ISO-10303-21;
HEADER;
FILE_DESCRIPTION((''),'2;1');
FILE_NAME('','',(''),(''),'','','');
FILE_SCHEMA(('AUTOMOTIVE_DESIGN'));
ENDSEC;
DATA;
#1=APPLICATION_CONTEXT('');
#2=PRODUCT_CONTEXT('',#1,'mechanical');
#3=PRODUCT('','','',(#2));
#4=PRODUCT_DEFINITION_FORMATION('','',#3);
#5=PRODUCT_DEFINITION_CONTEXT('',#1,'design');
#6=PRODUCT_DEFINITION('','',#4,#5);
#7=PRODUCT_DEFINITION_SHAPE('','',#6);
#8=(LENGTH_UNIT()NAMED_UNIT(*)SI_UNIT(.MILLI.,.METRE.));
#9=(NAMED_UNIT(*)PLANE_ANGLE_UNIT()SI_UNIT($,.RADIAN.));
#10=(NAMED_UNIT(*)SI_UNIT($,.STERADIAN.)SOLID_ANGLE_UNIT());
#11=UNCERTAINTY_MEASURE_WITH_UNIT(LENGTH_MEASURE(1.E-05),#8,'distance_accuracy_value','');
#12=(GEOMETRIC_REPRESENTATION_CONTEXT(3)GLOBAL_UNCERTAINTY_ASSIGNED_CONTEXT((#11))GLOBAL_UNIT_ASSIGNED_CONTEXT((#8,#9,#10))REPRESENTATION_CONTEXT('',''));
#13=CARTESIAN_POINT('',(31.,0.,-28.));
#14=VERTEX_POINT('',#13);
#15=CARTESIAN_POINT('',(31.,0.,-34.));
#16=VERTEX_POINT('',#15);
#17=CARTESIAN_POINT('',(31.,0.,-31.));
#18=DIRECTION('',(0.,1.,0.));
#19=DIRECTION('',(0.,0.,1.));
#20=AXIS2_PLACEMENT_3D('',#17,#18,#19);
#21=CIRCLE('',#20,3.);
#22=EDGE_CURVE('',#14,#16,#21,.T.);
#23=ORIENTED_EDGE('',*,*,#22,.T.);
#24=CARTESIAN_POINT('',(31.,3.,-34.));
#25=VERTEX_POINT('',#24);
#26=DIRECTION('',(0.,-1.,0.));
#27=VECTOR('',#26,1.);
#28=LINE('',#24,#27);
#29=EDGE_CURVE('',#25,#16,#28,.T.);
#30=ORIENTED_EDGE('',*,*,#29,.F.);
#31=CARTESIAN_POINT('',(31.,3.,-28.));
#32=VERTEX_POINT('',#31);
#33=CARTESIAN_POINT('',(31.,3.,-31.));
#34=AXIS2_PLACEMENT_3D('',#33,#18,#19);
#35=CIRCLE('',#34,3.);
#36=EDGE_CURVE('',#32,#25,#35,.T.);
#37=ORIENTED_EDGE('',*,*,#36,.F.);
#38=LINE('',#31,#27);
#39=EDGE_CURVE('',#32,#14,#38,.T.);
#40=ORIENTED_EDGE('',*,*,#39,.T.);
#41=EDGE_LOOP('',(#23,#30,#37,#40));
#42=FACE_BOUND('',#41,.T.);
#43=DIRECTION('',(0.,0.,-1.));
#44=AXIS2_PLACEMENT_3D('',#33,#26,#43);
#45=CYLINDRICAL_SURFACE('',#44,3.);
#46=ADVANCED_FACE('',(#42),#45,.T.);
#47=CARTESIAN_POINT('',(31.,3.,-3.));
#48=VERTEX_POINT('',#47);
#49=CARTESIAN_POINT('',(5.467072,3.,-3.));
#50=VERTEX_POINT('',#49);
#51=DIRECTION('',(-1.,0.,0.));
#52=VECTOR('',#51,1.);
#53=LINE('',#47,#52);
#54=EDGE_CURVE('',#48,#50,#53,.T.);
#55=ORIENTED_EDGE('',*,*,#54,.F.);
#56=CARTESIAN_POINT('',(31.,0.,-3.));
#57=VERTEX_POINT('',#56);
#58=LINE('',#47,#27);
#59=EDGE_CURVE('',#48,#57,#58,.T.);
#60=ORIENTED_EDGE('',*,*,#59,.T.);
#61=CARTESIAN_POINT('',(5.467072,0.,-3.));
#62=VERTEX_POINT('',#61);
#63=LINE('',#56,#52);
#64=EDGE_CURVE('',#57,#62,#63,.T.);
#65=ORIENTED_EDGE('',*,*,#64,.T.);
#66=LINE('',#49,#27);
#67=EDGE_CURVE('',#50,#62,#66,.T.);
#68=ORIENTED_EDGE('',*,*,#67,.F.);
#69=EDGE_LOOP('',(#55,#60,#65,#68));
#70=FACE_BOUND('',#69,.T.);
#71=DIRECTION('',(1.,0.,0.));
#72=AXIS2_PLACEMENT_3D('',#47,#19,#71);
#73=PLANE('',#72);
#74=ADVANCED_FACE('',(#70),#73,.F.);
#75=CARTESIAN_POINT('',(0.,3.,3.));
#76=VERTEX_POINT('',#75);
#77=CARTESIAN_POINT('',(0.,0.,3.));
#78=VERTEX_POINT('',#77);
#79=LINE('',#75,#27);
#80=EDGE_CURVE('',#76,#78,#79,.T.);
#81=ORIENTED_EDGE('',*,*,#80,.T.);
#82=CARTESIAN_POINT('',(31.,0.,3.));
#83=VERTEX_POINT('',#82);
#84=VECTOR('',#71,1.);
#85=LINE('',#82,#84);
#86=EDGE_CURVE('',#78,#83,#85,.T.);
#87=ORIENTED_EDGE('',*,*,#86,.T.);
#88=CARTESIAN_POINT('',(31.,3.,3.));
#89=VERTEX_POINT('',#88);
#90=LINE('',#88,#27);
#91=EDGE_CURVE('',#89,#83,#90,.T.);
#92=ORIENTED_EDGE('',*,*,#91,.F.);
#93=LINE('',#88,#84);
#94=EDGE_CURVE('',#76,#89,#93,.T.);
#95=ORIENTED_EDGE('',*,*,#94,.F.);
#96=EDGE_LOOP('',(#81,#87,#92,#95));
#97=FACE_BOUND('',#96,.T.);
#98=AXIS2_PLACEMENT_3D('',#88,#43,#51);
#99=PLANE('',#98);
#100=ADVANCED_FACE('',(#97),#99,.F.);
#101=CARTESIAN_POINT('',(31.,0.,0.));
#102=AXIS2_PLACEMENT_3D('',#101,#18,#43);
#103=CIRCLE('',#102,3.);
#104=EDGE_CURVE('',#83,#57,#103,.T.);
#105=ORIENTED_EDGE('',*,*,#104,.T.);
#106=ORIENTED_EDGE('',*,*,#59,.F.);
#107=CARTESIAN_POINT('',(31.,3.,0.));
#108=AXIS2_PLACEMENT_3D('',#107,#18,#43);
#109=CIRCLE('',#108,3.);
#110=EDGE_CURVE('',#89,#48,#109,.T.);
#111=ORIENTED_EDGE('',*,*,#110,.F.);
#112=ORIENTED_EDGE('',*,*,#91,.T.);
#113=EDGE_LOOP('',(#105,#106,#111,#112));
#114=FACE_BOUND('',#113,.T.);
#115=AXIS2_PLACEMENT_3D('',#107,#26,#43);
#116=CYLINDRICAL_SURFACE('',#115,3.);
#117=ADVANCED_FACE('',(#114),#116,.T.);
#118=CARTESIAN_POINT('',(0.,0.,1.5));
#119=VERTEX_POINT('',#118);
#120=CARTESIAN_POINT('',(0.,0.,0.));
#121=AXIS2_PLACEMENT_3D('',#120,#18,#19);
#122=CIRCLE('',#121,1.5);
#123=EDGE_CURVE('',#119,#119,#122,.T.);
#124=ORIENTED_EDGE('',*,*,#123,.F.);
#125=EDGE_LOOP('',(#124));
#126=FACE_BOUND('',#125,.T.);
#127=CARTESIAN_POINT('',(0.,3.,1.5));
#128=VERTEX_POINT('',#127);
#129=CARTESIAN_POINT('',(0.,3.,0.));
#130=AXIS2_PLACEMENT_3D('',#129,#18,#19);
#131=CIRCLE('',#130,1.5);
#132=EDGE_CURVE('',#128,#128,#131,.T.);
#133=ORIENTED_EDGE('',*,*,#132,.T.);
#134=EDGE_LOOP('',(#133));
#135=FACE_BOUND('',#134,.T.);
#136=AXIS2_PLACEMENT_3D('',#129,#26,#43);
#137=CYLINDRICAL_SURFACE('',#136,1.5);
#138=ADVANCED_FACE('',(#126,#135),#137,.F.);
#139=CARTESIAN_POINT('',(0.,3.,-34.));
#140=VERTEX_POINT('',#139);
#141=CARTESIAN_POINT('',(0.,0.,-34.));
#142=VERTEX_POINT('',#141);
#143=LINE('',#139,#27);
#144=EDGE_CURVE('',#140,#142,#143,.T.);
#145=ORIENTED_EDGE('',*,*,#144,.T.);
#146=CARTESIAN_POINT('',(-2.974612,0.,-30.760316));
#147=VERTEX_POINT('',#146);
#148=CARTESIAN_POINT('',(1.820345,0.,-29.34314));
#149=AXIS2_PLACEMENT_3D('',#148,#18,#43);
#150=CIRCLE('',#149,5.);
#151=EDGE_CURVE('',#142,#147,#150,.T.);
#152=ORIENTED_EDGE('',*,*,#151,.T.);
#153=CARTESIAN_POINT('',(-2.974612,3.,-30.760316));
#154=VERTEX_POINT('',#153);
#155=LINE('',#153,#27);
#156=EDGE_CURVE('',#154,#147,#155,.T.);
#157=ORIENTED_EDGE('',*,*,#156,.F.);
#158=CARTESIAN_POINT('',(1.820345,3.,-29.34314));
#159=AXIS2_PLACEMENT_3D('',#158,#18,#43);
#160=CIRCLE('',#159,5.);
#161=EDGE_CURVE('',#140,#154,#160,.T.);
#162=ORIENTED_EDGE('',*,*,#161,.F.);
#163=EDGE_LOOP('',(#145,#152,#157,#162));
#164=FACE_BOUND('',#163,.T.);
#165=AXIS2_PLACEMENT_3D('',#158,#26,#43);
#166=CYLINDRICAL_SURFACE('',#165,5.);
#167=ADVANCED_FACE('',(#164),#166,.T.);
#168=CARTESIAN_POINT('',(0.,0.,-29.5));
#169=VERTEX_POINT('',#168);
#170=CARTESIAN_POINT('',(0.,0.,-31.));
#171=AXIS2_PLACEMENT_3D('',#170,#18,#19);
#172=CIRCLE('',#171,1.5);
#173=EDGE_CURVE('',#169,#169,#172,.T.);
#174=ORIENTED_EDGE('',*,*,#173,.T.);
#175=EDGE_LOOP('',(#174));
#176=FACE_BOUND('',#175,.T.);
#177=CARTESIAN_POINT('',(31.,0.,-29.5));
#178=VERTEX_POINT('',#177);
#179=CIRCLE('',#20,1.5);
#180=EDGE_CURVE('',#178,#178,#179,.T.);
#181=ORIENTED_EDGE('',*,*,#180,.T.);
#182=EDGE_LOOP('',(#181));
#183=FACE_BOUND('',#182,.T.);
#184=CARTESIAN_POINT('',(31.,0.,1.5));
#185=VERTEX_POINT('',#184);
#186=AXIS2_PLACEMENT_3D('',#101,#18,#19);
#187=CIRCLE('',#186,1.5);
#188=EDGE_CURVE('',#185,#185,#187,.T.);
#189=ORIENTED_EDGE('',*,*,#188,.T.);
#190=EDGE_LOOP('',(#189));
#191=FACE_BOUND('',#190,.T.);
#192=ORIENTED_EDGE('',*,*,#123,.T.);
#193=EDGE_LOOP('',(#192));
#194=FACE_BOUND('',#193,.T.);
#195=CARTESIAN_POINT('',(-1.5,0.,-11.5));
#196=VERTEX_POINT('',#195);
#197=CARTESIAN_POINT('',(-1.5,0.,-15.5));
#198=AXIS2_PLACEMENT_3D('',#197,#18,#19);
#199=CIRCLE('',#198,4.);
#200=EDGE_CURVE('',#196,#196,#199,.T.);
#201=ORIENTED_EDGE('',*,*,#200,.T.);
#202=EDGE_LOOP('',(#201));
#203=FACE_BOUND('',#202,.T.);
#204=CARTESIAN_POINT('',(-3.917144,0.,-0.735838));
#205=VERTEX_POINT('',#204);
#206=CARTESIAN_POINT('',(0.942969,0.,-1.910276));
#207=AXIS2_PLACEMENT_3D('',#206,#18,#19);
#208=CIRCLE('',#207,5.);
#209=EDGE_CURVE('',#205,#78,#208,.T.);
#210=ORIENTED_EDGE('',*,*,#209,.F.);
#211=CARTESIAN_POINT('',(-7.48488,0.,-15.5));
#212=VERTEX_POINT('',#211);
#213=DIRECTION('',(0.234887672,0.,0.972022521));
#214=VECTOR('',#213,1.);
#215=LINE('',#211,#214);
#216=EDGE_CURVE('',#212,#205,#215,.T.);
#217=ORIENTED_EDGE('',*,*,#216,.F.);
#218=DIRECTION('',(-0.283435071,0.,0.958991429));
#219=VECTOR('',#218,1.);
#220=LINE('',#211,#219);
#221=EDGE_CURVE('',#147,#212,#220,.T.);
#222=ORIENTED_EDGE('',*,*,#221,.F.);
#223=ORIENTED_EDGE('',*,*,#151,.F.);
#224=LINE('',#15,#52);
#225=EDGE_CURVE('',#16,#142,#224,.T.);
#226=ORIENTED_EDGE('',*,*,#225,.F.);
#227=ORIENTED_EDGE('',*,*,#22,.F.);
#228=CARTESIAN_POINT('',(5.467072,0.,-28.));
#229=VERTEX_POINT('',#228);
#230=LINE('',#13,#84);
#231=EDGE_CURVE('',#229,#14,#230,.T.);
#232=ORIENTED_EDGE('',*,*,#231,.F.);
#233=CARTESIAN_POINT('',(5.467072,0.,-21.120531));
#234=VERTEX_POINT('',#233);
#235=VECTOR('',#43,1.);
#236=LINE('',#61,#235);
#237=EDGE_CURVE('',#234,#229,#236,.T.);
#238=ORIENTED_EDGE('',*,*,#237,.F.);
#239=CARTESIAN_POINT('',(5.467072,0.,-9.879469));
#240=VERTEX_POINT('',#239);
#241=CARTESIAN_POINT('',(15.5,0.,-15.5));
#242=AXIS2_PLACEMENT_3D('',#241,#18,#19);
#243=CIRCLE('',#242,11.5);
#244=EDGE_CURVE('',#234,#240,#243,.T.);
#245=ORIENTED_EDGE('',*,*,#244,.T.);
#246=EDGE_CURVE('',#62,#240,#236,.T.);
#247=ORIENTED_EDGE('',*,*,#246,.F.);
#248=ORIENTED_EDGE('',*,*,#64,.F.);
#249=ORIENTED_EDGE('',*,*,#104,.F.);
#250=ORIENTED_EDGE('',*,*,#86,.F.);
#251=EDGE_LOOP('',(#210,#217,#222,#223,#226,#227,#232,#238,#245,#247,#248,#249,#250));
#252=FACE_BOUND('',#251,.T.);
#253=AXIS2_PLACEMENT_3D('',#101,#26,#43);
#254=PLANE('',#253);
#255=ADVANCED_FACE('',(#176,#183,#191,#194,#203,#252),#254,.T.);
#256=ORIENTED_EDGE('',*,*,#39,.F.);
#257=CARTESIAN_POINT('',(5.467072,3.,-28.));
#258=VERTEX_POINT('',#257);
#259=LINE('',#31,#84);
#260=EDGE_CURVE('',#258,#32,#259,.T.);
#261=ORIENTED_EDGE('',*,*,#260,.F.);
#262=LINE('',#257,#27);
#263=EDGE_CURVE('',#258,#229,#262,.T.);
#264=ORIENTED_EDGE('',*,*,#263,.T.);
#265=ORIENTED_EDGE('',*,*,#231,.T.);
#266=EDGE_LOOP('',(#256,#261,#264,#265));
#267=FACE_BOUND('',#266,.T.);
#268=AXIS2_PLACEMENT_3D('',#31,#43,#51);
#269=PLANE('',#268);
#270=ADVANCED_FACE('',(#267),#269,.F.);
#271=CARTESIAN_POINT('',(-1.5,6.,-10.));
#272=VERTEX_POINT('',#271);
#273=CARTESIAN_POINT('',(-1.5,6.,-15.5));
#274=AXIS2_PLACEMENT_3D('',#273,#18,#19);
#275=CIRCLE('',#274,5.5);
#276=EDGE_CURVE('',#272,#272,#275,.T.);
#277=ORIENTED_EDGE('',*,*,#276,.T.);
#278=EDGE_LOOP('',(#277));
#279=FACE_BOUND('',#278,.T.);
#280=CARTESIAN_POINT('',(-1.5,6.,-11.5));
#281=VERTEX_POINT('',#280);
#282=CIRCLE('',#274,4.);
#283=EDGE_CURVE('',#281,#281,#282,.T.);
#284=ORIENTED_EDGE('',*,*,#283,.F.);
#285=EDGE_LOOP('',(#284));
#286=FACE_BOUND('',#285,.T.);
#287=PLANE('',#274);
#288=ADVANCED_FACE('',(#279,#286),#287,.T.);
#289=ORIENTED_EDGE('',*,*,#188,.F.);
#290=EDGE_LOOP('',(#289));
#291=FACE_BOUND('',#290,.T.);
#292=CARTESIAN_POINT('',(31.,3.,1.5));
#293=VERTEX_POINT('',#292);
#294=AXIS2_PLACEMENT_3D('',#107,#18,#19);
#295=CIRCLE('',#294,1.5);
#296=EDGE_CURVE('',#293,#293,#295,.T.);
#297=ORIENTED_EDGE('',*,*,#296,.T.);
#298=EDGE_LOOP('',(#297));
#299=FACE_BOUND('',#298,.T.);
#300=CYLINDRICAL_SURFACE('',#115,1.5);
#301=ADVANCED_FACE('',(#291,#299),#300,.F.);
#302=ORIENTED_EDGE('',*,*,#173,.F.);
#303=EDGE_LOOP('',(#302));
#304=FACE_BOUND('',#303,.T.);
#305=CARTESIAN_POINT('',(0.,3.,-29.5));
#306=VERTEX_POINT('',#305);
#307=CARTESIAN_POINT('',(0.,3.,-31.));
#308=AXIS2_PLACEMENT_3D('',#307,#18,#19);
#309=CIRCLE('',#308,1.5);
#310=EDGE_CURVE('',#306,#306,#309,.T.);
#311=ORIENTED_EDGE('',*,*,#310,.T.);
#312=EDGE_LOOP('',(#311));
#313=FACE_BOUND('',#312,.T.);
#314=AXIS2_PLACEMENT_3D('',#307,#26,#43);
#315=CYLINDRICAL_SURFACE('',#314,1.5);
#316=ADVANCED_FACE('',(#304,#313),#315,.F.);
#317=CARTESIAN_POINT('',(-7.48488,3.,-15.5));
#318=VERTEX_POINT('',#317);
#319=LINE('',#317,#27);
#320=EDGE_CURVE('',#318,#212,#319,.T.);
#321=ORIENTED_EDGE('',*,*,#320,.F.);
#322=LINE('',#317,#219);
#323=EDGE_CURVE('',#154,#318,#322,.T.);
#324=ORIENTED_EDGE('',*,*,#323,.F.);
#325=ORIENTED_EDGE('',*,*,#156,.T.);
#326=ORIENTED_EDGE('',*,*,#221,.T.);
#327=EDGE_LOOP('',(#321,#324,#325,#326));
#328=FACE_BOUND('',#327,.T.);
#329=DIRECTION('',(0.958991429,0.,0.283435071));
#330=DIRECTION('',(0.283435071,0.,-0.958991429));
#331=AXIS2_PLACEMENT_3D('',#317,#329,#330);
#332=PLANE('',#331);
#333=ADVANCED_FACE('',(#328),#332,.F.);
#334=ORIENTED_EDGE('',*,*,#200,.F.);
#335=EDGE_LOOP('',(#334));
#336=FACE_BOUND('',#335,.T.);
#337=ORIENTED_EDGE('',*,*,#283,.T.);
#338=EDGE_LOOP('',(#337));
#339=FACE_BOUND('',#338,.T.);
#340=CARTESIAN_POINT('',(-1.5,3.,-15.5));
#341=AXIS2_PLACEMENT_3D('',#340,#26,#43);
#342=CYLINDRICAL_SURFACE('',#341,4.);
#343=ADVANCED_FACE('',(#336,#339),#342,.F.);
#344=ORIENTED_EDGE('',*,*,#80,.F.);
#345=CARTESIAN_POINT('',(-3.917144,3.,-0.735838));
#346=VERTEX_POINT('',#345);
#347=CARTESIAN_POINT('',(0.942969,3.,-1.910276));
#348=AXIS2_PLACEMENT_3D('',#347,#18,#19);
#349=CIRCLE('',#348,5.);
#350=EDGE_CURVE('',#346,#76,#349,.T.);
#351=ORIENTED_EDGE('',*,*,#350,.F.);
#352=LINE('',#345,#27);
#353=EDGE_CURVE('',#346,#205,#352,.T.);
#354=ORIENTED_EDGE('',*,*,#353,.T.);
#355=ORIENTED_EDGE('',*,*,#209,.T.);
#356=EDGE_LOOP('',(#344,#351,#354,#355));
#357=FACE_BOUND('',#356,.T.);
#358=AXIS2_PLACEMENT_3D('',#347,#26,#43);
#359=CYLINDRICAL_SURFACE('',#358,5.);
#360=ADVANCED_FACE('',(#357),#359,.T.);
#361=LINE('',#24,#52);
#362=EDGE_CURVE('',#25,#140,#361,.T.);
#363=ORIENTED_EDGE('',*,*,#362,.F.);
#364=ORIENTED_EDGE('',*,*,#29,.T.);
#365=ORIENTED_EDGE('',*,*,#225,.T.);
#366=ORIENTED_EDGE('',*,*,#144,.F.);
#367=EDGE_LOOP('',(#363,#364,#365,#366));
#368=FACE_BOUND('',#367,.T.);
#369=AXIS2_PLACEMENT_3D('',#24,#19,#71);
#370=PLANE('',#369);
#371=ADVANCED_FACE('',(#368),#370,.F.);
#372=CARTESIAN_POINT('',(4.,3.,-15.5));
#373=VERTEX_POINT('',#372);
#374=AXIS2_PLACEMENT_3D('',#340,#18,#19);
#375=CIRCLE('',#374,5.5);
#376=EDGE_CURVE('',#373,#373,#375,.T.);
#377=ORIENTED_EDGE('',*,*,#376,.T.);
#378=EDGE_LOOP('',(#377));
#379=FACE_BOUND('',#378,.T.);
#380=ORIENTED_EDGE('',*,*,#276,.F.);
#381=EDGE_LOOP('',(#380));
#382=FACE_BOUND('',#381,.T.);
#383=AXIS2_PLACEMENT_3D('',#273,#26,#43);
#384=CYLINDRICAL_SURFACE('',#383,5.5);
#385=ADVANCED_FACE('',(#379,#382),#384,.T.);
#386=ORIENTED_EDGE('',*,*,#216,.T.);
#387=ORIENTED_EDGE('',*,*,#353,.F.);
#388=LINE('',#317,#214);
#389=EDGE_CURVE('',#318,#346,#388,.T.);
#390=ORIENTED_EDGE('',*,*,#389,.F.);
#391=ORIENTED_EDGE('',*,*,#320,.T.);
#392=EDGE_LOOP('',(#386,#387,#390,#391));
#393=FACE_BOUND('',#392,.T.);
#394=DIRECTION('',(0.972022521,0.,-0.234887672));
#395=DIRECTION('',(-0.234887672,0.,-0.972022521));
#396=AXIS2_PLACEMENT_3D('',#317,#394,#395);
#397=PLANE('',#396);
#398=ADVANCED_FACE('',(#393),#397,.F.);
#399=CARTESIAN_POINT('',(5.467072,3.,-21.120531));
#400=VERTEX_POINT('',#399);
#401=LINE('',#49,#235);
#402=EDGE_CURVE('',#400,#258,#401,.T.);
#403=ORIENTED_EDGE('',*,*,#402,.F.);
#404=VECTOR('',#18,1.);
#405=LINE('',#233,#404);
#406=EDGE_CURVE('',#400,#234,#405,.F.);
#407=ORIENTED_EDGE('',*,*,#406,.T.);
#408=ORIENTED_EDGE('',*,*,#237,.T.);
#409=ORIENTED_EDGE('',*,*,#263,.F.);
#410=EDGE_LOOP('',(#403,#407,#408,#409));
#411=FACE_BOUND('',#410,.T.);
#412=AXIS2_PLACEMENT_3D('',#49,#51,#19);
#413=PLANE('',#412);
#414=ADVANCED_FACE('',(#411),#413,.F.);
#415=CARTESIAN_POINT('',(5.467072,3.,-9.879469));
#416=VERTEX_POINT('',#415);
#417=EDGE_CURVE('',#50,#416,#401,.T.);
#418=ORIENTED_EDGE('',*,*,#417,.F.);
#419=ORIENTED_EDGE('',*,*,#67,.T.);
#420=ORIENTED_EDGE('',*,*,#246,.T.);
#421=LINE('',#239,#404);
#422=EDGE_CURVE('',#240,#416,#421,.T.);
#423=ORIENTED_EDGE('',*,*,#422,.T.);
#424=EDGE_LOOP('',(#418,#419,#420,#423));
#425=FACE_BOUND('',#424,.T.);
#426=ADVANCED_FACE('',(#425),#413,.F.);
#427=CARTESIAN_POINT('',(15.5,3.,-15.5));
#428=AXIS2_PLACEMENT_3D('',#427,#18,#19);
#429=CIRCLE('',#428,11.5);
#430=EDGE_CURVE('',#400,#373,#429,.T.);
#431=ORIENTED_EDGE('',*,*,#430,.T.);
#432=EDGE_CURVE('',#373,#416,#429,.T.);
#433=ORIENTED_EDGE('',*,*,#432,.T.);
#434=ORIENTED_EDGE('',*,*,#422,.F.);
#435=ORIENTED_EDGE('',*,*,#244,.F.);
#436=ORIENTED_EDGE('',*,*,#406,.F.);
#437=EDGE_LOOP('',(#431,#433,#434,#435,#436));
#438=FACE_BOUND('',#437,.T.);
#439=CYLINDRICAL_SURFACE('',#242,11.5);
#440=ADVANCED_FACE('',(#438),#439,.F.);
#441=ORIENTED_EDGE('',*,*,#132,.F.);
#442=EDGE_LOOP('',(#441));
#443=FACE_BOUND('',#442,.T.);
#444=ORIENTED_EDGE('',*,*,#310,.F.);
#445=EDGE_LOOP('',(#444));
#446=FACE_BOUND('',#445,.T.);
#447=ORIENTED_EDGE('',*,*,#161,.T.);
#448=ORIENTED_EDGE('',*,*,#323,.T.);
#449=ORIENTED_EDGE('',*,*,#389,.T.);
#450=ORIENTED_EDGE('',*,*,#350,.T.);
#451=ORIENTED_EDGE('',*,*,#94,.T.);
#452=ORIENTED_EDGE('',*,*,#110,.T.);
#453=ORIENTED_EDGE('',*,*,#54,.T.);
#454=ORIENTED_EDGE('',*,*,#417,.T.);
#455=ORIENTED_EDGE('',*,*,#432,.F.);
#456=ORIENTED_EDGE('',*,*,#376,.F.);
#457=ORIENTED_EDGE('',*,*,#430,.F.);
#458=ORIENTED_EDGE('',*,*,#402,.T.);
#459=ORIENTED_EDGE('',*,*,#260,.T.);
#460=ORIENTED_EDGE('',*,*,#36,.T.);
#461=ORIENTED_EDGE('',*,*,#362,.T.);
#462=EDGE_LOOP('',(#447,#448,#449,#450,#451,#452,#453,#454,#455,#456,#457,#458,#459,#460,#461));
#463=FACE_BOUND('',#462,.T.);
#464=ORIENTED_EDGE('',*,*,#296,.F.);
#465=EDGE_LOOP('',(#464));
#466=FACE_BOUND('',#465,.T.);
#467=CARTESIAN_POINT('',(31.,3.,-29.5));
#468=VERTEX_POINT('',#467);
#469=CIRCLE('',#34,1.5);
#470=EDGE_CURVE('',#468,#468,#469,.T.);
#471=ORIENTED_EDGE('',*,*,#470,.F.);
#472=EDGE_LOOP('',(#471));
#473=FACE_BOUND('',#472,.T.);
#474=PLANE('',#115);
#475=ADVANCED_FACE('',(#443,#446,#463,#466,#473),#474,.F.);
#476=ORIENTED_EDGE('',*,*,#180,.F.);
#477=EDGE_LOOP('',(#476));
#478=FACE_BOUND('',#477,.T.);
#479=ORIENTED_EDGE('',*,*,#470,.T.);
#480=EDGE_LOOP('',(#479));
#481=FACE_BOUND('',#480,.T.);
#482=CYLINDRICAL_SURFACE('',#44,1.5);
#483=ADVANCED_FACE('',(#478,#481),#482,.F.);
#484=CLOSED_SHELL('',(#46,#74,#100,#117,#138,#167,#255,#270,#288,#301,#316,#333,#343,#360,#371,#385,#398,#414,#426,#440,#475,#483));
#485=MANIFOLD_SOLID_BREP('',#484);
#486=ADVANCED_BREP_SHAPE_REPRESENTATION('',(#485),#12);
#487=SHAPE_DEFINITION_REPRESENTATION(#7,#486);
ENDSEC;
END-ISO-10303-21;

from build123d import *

# Parameters (mm, degrees)
SKETCH1_R           = 1.5
SKETCH1_R_2         = 4
BOSS_EXTRUDE1_DEPTH = 3
SKETCH2_R           = 11.5
CUT_EXTRUDE2_DEPTH  = 3
SKETCH3_R           = 5.5
SKETCH3_R_2         = 4
BOSS_EXTRUDE2_DEPTH = 3


with BuildPart() as part:
    # Sketch1 → Boss-Extrude1 (new body)
    with BuildSketch(Plane(origin=(0, 0, 0), x_dir=(1, 0, 0), z_dir=(0, 1, 0))):
        with BuildLine():
            Line((31, -3), (0, -3))
            ThreePointArc((0, -3), (-2.5078369, -1.708002816), (-3.917144015, 0.735837624))
            Line((-3.917144015, 0.735837624), (-7.484880003, 15.5))
            Line((-7.484880003, 15.5), (-2.974611695, 30.760315636))
            ThreePointArc((-2.974611695, 30.760315636), (-1.862648685, 32.724789909), (0, 34))
            Line((0, 34), (31, 34))
            ThreePointArc((31, 34), (34, 31), (31, 28))
            Line((31, 28), (5.467072376, 28))
            Line((5.467072376, 28), (5.467072376, 3))
            Line((5.467072376, 3), (31, 3))
            ThreePointArc((31, 3), (34, 0), (31, -3))
        make_face()
        with Locations((0, 31)):
            Circle(SKETCH1_R, mode=Mode.SUBTRACT)
        with Locations((31, 31)):
            Circle(SKETCH1_R, mode=Mode.SUBTRACT)
        with Locations((31, 0)):
            Circle(SKETCH1_R, mode=Mode.SUBTRACT)
        Circle(SKETCH1_R, mode=Mode.SUBTRACT)
        with Locations((-1.5, 15.5)):
            Circle(SKETCH1_R_2, mode=Mode.SUBTRACT)
    extrude(amount=BOSS_EXTRUDE1_DEPTH)

    # Sketch2 → Cut-Extrude2 (cut)
    with BuildSketch(Plane(origin=(0, 3, 0), x_dir=(1, 0, 0), z_dir=(0, 1, 0))):
        with Locations((15.5, 15.5)):
            Circle(SKETCH2_R)
    extrude(amount=-CUT_EXTRUDE2_DEPTH, mode=Mode.SUBTRACT)

    # Sketch3 → Boss-Extrude2 (add)
    with BuildSketch(Plane(origin=(0, 3, 0), x_dir=(1, 0, 0), z_dir=(0, 1, 0))):
        with Locations((-1.5, 15.5)):
            Circle(SKETCH3_R)
        with Locations((-1.5, 15.5)):
            Circle(SKETCH3_R_2, mode=Mode.SUBTRACT)
    extrude(amount=BOSS_EXTRUDE2_DEPTH)


solid = part.part
